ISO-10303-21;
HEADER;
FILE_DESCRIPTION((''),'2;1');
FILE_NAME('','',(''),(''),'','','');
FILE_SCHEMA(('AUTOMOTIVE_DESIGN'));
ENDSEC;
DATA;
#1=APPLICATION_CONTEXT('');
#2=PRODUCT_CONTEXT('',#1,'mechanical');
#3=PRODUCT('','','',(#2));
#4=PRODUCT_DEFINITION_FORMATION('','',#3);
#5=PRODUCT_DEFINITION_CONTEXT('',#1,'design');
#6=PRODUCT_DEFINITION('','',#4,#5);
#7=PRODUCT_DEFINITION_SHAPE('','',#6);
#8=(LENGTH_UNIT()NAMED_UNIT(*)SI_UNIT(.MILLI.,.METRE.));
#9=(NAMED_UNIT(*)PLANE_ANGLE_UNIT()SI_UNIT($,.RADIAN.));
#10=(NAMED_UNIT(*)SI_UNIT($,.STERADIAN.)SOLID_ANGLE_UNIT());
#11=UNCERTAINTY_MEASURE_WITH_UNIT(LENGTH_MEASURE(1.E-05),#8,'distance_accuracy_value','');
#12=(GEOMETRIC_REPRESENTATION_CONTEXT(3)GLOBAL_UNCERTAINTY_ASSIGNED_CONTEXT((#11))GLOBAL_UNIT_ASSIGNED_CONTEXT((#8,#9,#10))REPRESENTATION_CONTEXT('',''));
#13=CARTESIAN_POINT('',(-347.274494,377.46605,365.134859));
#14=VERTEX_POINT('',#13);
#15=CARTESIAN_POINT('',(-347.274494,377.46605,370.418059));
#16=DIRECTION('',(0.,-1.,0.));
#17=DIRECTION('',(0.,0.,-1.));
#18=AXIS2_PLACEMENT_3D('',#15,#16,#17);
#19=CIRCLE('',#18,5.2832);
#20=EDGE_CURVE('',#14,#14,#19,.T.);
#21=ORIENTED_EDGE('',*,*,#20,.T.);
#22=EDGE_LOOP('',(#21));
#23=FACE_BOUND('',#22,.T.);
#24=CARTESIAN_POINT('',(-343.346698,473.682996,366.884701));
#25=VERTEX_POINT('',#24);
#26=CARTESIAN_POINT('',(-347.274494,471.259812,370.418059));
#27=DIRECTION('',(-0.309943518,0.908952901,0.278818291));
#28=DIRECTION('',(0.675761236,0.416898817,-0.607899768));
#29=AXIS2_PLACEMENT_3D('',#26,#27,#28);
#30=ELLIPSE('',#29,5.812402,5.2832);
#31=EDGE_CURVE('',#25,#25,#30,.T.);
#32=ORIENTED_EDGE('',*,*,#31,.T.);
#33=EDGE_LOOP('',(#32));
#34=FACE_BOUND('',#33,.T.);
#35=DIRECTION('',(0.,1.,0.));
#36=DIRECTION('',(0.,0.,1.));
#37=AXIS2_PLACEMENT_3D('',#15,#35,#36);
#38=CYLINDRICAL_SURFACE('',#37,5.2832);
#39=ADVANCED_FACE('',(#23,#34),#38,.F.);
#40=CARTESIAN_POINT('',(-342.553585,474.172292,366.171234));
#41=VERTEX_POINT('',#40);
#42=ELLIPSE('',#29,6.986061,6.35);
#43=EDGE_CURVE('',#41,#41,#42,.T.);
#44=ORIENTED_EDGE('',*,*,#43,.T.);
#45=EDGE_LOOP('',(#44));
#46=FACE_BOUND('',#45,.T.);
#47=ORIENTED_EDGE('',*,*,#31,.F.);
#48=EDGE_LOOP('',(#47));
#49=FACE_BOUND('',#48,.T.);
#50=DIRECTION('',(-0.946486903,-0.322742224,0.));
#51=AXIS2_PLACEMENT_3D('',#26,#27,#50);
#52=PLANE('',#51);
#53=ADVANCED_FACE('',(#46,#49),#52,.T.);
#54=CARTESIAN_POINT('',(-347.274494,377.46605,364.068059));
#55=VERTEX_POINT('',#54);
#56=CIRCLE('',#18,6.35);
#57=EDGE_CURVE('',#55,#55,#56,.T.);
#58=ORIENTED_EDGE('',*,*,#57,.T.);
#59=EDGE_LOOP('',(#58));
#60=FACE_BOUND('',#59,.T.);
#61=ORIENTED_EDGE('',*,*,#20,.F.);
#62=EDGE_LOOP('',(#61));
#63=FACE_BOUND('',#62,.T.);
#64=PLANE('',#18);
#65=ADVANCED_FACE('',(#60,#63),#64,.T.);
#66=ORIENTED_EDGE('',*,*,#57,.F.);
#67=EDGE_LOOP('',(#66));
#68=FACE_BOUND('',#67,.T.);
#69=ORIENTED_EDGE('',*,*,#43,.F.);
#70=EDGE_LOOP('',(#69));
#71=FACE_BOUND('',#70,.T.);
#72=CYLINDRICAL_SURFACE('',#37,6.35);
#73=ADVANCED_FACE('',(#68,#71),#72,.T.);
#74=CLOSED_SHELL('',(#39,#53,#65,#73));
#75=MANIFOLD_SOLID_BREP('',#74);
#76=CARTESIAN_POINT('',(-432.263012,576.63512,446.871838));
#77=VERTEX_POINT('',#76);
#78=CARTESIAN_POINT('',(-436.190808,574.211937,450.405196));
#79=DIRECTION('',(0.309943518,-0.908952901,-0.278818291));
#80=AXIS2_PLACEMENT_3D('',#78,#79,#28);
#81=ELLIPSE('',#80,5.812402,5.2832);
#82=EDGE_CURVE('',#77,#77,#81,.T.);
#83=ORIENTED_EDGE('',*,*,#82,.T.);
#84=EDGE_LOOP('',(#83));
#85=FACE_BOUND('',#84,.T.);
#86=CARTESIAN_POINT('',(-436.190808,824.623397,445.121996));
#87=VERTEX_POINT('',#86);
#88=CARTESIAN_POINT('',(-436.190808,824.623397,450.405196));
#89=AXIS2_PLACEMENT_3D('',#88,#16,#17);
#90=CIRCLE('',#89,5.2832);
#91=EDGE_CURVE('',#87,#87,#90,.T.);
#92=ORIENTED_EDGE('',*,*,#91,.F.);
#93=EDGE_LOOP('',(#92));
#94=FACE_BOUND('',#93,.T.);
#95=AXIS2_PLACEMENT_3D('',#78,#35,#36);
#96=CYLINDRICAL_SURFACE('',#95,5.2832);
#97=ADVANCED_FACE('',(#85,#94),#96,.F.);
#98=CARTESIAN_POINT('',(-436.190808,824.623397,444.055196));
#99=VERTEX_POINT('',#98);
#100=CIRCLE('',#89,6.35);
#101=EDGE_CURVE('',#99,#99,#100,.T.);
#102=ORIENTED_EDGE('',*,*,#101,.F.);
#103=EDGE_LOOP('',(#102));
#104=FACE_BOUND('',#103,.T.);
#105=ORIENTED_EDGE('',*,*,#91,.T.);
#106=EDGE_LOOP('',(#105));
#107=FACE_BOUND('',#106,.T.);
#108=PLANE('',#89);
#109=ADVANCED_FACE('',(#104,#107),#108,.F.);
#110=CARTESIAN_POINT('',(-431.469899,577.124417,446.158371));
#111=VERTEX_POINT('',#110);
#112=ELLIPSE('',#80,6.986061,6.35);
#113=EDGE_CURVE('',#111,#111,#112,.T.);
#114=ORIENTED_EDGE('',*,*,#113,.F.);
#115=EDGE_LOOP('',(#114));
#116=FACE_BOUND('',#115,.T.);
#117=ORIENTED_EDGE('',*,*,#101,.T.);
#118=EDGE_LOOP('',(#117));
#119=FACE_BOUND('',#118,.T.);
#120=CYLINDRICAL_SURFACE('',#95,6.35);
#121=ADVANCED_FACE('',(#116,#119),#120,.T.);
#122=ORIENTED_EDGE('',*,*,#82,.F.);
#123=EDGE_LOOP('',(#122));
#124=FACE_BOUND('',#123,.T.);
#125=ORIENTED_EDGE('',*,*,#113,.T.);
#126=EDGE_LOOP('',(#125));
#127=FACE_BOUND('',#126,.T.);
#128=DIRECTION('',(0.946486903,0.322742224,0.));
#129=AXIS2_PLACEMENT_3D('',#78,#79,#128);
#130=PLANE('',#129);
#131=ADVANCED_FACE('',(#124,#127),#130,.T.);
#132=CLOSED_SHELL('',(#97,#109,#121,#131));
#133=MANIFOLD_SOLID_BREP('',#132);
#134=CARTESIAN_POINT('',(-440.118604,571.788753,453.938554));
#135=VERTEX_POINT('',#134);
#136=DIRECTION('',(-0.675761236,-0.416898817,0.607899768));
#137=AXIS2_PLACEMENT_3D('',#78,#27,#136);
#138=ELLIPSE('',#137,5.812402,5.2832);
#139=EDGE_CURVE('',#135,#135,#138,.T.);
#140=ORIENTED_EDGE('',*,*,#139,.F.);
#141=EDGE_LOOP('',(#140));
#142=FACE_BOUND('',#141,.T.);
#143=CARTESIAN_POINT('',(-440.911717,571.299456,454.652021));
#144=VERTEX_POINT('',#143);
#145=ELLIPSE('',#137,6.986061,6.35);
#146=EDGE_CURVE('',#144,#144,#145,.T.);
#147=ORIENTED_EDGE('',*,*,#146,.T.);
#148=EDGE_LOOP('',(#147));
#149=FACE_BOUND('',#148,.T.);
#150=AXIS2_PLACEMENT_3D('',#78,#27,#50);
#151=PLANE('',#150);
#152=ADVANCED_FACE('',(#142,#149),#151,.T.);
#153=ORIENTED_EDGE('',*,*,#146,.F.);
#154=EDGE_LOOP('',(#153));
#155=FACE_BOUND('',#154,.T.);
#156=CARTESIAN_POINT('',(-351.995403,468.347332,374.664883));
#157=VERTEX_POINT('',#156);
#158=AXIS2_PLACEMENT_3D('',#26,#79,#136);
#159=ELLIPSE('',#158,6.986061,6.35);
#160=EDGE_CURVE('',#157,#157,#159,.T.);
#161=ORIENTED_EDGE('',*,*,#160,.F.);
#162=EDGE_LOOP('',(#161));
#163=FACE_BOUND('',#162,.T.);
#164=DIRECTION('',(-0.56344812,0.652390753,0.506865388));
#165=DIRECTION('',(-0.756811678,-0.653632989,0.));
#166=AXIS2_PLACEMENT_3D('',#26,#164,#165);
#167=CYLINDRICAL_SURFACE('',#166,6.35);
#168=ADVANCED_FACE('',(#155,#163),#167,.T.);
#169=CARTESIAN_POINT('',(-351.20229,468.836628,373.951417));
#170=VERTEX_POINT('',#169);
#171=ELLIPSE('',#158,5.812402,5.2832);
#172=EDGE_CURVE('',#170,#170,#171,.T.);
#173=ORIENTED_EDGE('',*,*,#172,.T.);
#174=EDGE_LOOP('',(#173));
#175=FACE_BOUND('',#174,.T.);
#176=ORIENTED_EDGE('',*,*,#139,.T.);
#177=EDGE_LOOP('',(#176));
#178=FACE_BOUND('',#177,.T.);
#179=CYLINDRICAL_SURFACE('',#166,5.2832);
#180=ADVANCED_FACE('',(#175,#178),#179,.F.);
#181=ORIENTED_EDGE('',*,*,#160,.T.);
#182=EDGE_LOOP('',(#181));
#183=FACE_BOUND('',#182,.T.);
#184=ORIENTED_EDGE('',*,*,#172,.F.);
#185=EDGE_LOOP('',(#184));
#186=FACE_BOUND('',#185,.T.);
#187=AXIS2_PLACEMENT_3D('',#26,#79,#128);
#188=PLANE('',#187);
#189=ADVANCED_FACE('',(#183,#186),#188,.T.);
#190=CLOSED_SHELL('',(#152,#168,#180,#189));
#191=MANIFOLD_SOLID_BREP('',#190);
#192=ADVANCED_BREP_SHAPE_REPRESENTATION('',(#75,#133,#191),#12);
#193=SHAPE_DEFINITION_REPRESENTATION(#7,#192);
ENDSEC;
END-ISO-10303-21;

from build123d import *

# Parameters (mm, degrees)
SKETCH1_R                 = 6.35
SKETCH1_R_2               = 5.2832
PIPE_0_5_SCH_40_1_DEPTH   = 255.530329215
SKETCH1_ON_SEGMENT_2_R    = 6.35
SKETCH1_ON_SEGMENT_2_R_2  = 5.2832
PIPE_0_5_SCH_40_1_2_DEPTH = 168.045193957
SKETCH1_ON_SEGMENT_3_R    = 6.35
SKETCH1_ON_SEGMENT_3_R_2  = 5.2832
PIPE_0_5_SCH_40_1_3_DEPTH = 98.912631109


with BuildPart() as part:
    # Sketch1 → Pipe 0.5 SCH 40(1) (new body)
    with BuildSketch(Plane(origin=(-436.190807933, 824.623396558, 450.405195918), x_dir=(1, 0, 0), z_dir=(0, -1, 0))):
        Circle(SKETCH1_R)
        Circle(SKETCH1_R_2, mode=Mode.SUBTRACT)
    extrude(amount=PIPE_0_5_SCH_40_1_DEPTH)

    # Pipe 0.5 SCH 40(1) mitre 1
    split(bisect_by=Plane(origin=(-436.190807933, 574.211936593, 450.405195918), x_dir=(-0.946486903, -0.322742224, 0), z_dir=(-0.309943518, 0.908952901, 0.278818291)), keep=Keep.TOP)


with BuildPart() as body_2:
    # Sketch1 on segment 2 (carried to segment 2) → Pipe 0.5 SCH 40_1 2 (new body)
    with BuildSketch(Plane(origin=(-439.075025188, 577.551439556, 452.999773567), x_dir=(0.807870031, 0.56344812, 0.172835844), z_dir=(0.56344812, -0.652390753, -0.506865388))):
        Circle(SKETCH1_ON_SEGMENT_2_R)
        Circle(SKETCH1_ON_SEGMENT_2_R_2, mode=Mode.SUBTRACT)
    extrude(amount=PIPE_0_5_SCH_40_1_2_DEPTH)

    # Pipe 0.5 SCH 40_1 2 mitre 1
    split(bisect_by=Plane(origin=(-436.190807933, 574.211936593, 450.405195918), x_dir=(0.946486903, 0.322742224, 0), z_dir=(0.309943518, -0.908952901, -0.278818291)), keep=Keep.TOP)

    # Pipe 0.5 SCH 40_1 2 mitre 2
    split(bisect_by=Plane(origin=(-347.274493823, 471.259811951, 370.418058734), x_dir=(-0.946486903, -0.322742224, 0), z_dir=(-0.309943518, 0.908952901, 0.278818291)), keep=Keep.TOP)


with BuildPart() as body_3:
    # Sketch1 on segment 3 (carried to segment 3) → Pipe 0.5 SCH 40_1 3 (new body)
    with BuildSketch(Plane(origin=(-347.274493823, 476.378681201, 370.418058734), x_dir=(1, 0, 0), z_dir=(0, -1, 0))):
        Circle(SKETCH1_ON_SEGMENT_3_R)
        Circle(SKETCH1_ON_SEGMENT_3_R_2, mode=Mode.SUBTRACT)
    extrude(amount=PIPE_0_5_SCH_40_1_3_DEPTH)

    # Pipe 0.5 SCH 40_1 3 mitre 1
    split(bisect_by=Plane(origin=(-347.274493823, 471.259811951, 370.418058734), x_dir=(0.946486903, 0.322742224, 0), z_dir=(0.309943518, -0.908952901, -0.278818291)), keep=Keep.TOP)


solid = Compound([part.part, body_2.part, body_3.part])
